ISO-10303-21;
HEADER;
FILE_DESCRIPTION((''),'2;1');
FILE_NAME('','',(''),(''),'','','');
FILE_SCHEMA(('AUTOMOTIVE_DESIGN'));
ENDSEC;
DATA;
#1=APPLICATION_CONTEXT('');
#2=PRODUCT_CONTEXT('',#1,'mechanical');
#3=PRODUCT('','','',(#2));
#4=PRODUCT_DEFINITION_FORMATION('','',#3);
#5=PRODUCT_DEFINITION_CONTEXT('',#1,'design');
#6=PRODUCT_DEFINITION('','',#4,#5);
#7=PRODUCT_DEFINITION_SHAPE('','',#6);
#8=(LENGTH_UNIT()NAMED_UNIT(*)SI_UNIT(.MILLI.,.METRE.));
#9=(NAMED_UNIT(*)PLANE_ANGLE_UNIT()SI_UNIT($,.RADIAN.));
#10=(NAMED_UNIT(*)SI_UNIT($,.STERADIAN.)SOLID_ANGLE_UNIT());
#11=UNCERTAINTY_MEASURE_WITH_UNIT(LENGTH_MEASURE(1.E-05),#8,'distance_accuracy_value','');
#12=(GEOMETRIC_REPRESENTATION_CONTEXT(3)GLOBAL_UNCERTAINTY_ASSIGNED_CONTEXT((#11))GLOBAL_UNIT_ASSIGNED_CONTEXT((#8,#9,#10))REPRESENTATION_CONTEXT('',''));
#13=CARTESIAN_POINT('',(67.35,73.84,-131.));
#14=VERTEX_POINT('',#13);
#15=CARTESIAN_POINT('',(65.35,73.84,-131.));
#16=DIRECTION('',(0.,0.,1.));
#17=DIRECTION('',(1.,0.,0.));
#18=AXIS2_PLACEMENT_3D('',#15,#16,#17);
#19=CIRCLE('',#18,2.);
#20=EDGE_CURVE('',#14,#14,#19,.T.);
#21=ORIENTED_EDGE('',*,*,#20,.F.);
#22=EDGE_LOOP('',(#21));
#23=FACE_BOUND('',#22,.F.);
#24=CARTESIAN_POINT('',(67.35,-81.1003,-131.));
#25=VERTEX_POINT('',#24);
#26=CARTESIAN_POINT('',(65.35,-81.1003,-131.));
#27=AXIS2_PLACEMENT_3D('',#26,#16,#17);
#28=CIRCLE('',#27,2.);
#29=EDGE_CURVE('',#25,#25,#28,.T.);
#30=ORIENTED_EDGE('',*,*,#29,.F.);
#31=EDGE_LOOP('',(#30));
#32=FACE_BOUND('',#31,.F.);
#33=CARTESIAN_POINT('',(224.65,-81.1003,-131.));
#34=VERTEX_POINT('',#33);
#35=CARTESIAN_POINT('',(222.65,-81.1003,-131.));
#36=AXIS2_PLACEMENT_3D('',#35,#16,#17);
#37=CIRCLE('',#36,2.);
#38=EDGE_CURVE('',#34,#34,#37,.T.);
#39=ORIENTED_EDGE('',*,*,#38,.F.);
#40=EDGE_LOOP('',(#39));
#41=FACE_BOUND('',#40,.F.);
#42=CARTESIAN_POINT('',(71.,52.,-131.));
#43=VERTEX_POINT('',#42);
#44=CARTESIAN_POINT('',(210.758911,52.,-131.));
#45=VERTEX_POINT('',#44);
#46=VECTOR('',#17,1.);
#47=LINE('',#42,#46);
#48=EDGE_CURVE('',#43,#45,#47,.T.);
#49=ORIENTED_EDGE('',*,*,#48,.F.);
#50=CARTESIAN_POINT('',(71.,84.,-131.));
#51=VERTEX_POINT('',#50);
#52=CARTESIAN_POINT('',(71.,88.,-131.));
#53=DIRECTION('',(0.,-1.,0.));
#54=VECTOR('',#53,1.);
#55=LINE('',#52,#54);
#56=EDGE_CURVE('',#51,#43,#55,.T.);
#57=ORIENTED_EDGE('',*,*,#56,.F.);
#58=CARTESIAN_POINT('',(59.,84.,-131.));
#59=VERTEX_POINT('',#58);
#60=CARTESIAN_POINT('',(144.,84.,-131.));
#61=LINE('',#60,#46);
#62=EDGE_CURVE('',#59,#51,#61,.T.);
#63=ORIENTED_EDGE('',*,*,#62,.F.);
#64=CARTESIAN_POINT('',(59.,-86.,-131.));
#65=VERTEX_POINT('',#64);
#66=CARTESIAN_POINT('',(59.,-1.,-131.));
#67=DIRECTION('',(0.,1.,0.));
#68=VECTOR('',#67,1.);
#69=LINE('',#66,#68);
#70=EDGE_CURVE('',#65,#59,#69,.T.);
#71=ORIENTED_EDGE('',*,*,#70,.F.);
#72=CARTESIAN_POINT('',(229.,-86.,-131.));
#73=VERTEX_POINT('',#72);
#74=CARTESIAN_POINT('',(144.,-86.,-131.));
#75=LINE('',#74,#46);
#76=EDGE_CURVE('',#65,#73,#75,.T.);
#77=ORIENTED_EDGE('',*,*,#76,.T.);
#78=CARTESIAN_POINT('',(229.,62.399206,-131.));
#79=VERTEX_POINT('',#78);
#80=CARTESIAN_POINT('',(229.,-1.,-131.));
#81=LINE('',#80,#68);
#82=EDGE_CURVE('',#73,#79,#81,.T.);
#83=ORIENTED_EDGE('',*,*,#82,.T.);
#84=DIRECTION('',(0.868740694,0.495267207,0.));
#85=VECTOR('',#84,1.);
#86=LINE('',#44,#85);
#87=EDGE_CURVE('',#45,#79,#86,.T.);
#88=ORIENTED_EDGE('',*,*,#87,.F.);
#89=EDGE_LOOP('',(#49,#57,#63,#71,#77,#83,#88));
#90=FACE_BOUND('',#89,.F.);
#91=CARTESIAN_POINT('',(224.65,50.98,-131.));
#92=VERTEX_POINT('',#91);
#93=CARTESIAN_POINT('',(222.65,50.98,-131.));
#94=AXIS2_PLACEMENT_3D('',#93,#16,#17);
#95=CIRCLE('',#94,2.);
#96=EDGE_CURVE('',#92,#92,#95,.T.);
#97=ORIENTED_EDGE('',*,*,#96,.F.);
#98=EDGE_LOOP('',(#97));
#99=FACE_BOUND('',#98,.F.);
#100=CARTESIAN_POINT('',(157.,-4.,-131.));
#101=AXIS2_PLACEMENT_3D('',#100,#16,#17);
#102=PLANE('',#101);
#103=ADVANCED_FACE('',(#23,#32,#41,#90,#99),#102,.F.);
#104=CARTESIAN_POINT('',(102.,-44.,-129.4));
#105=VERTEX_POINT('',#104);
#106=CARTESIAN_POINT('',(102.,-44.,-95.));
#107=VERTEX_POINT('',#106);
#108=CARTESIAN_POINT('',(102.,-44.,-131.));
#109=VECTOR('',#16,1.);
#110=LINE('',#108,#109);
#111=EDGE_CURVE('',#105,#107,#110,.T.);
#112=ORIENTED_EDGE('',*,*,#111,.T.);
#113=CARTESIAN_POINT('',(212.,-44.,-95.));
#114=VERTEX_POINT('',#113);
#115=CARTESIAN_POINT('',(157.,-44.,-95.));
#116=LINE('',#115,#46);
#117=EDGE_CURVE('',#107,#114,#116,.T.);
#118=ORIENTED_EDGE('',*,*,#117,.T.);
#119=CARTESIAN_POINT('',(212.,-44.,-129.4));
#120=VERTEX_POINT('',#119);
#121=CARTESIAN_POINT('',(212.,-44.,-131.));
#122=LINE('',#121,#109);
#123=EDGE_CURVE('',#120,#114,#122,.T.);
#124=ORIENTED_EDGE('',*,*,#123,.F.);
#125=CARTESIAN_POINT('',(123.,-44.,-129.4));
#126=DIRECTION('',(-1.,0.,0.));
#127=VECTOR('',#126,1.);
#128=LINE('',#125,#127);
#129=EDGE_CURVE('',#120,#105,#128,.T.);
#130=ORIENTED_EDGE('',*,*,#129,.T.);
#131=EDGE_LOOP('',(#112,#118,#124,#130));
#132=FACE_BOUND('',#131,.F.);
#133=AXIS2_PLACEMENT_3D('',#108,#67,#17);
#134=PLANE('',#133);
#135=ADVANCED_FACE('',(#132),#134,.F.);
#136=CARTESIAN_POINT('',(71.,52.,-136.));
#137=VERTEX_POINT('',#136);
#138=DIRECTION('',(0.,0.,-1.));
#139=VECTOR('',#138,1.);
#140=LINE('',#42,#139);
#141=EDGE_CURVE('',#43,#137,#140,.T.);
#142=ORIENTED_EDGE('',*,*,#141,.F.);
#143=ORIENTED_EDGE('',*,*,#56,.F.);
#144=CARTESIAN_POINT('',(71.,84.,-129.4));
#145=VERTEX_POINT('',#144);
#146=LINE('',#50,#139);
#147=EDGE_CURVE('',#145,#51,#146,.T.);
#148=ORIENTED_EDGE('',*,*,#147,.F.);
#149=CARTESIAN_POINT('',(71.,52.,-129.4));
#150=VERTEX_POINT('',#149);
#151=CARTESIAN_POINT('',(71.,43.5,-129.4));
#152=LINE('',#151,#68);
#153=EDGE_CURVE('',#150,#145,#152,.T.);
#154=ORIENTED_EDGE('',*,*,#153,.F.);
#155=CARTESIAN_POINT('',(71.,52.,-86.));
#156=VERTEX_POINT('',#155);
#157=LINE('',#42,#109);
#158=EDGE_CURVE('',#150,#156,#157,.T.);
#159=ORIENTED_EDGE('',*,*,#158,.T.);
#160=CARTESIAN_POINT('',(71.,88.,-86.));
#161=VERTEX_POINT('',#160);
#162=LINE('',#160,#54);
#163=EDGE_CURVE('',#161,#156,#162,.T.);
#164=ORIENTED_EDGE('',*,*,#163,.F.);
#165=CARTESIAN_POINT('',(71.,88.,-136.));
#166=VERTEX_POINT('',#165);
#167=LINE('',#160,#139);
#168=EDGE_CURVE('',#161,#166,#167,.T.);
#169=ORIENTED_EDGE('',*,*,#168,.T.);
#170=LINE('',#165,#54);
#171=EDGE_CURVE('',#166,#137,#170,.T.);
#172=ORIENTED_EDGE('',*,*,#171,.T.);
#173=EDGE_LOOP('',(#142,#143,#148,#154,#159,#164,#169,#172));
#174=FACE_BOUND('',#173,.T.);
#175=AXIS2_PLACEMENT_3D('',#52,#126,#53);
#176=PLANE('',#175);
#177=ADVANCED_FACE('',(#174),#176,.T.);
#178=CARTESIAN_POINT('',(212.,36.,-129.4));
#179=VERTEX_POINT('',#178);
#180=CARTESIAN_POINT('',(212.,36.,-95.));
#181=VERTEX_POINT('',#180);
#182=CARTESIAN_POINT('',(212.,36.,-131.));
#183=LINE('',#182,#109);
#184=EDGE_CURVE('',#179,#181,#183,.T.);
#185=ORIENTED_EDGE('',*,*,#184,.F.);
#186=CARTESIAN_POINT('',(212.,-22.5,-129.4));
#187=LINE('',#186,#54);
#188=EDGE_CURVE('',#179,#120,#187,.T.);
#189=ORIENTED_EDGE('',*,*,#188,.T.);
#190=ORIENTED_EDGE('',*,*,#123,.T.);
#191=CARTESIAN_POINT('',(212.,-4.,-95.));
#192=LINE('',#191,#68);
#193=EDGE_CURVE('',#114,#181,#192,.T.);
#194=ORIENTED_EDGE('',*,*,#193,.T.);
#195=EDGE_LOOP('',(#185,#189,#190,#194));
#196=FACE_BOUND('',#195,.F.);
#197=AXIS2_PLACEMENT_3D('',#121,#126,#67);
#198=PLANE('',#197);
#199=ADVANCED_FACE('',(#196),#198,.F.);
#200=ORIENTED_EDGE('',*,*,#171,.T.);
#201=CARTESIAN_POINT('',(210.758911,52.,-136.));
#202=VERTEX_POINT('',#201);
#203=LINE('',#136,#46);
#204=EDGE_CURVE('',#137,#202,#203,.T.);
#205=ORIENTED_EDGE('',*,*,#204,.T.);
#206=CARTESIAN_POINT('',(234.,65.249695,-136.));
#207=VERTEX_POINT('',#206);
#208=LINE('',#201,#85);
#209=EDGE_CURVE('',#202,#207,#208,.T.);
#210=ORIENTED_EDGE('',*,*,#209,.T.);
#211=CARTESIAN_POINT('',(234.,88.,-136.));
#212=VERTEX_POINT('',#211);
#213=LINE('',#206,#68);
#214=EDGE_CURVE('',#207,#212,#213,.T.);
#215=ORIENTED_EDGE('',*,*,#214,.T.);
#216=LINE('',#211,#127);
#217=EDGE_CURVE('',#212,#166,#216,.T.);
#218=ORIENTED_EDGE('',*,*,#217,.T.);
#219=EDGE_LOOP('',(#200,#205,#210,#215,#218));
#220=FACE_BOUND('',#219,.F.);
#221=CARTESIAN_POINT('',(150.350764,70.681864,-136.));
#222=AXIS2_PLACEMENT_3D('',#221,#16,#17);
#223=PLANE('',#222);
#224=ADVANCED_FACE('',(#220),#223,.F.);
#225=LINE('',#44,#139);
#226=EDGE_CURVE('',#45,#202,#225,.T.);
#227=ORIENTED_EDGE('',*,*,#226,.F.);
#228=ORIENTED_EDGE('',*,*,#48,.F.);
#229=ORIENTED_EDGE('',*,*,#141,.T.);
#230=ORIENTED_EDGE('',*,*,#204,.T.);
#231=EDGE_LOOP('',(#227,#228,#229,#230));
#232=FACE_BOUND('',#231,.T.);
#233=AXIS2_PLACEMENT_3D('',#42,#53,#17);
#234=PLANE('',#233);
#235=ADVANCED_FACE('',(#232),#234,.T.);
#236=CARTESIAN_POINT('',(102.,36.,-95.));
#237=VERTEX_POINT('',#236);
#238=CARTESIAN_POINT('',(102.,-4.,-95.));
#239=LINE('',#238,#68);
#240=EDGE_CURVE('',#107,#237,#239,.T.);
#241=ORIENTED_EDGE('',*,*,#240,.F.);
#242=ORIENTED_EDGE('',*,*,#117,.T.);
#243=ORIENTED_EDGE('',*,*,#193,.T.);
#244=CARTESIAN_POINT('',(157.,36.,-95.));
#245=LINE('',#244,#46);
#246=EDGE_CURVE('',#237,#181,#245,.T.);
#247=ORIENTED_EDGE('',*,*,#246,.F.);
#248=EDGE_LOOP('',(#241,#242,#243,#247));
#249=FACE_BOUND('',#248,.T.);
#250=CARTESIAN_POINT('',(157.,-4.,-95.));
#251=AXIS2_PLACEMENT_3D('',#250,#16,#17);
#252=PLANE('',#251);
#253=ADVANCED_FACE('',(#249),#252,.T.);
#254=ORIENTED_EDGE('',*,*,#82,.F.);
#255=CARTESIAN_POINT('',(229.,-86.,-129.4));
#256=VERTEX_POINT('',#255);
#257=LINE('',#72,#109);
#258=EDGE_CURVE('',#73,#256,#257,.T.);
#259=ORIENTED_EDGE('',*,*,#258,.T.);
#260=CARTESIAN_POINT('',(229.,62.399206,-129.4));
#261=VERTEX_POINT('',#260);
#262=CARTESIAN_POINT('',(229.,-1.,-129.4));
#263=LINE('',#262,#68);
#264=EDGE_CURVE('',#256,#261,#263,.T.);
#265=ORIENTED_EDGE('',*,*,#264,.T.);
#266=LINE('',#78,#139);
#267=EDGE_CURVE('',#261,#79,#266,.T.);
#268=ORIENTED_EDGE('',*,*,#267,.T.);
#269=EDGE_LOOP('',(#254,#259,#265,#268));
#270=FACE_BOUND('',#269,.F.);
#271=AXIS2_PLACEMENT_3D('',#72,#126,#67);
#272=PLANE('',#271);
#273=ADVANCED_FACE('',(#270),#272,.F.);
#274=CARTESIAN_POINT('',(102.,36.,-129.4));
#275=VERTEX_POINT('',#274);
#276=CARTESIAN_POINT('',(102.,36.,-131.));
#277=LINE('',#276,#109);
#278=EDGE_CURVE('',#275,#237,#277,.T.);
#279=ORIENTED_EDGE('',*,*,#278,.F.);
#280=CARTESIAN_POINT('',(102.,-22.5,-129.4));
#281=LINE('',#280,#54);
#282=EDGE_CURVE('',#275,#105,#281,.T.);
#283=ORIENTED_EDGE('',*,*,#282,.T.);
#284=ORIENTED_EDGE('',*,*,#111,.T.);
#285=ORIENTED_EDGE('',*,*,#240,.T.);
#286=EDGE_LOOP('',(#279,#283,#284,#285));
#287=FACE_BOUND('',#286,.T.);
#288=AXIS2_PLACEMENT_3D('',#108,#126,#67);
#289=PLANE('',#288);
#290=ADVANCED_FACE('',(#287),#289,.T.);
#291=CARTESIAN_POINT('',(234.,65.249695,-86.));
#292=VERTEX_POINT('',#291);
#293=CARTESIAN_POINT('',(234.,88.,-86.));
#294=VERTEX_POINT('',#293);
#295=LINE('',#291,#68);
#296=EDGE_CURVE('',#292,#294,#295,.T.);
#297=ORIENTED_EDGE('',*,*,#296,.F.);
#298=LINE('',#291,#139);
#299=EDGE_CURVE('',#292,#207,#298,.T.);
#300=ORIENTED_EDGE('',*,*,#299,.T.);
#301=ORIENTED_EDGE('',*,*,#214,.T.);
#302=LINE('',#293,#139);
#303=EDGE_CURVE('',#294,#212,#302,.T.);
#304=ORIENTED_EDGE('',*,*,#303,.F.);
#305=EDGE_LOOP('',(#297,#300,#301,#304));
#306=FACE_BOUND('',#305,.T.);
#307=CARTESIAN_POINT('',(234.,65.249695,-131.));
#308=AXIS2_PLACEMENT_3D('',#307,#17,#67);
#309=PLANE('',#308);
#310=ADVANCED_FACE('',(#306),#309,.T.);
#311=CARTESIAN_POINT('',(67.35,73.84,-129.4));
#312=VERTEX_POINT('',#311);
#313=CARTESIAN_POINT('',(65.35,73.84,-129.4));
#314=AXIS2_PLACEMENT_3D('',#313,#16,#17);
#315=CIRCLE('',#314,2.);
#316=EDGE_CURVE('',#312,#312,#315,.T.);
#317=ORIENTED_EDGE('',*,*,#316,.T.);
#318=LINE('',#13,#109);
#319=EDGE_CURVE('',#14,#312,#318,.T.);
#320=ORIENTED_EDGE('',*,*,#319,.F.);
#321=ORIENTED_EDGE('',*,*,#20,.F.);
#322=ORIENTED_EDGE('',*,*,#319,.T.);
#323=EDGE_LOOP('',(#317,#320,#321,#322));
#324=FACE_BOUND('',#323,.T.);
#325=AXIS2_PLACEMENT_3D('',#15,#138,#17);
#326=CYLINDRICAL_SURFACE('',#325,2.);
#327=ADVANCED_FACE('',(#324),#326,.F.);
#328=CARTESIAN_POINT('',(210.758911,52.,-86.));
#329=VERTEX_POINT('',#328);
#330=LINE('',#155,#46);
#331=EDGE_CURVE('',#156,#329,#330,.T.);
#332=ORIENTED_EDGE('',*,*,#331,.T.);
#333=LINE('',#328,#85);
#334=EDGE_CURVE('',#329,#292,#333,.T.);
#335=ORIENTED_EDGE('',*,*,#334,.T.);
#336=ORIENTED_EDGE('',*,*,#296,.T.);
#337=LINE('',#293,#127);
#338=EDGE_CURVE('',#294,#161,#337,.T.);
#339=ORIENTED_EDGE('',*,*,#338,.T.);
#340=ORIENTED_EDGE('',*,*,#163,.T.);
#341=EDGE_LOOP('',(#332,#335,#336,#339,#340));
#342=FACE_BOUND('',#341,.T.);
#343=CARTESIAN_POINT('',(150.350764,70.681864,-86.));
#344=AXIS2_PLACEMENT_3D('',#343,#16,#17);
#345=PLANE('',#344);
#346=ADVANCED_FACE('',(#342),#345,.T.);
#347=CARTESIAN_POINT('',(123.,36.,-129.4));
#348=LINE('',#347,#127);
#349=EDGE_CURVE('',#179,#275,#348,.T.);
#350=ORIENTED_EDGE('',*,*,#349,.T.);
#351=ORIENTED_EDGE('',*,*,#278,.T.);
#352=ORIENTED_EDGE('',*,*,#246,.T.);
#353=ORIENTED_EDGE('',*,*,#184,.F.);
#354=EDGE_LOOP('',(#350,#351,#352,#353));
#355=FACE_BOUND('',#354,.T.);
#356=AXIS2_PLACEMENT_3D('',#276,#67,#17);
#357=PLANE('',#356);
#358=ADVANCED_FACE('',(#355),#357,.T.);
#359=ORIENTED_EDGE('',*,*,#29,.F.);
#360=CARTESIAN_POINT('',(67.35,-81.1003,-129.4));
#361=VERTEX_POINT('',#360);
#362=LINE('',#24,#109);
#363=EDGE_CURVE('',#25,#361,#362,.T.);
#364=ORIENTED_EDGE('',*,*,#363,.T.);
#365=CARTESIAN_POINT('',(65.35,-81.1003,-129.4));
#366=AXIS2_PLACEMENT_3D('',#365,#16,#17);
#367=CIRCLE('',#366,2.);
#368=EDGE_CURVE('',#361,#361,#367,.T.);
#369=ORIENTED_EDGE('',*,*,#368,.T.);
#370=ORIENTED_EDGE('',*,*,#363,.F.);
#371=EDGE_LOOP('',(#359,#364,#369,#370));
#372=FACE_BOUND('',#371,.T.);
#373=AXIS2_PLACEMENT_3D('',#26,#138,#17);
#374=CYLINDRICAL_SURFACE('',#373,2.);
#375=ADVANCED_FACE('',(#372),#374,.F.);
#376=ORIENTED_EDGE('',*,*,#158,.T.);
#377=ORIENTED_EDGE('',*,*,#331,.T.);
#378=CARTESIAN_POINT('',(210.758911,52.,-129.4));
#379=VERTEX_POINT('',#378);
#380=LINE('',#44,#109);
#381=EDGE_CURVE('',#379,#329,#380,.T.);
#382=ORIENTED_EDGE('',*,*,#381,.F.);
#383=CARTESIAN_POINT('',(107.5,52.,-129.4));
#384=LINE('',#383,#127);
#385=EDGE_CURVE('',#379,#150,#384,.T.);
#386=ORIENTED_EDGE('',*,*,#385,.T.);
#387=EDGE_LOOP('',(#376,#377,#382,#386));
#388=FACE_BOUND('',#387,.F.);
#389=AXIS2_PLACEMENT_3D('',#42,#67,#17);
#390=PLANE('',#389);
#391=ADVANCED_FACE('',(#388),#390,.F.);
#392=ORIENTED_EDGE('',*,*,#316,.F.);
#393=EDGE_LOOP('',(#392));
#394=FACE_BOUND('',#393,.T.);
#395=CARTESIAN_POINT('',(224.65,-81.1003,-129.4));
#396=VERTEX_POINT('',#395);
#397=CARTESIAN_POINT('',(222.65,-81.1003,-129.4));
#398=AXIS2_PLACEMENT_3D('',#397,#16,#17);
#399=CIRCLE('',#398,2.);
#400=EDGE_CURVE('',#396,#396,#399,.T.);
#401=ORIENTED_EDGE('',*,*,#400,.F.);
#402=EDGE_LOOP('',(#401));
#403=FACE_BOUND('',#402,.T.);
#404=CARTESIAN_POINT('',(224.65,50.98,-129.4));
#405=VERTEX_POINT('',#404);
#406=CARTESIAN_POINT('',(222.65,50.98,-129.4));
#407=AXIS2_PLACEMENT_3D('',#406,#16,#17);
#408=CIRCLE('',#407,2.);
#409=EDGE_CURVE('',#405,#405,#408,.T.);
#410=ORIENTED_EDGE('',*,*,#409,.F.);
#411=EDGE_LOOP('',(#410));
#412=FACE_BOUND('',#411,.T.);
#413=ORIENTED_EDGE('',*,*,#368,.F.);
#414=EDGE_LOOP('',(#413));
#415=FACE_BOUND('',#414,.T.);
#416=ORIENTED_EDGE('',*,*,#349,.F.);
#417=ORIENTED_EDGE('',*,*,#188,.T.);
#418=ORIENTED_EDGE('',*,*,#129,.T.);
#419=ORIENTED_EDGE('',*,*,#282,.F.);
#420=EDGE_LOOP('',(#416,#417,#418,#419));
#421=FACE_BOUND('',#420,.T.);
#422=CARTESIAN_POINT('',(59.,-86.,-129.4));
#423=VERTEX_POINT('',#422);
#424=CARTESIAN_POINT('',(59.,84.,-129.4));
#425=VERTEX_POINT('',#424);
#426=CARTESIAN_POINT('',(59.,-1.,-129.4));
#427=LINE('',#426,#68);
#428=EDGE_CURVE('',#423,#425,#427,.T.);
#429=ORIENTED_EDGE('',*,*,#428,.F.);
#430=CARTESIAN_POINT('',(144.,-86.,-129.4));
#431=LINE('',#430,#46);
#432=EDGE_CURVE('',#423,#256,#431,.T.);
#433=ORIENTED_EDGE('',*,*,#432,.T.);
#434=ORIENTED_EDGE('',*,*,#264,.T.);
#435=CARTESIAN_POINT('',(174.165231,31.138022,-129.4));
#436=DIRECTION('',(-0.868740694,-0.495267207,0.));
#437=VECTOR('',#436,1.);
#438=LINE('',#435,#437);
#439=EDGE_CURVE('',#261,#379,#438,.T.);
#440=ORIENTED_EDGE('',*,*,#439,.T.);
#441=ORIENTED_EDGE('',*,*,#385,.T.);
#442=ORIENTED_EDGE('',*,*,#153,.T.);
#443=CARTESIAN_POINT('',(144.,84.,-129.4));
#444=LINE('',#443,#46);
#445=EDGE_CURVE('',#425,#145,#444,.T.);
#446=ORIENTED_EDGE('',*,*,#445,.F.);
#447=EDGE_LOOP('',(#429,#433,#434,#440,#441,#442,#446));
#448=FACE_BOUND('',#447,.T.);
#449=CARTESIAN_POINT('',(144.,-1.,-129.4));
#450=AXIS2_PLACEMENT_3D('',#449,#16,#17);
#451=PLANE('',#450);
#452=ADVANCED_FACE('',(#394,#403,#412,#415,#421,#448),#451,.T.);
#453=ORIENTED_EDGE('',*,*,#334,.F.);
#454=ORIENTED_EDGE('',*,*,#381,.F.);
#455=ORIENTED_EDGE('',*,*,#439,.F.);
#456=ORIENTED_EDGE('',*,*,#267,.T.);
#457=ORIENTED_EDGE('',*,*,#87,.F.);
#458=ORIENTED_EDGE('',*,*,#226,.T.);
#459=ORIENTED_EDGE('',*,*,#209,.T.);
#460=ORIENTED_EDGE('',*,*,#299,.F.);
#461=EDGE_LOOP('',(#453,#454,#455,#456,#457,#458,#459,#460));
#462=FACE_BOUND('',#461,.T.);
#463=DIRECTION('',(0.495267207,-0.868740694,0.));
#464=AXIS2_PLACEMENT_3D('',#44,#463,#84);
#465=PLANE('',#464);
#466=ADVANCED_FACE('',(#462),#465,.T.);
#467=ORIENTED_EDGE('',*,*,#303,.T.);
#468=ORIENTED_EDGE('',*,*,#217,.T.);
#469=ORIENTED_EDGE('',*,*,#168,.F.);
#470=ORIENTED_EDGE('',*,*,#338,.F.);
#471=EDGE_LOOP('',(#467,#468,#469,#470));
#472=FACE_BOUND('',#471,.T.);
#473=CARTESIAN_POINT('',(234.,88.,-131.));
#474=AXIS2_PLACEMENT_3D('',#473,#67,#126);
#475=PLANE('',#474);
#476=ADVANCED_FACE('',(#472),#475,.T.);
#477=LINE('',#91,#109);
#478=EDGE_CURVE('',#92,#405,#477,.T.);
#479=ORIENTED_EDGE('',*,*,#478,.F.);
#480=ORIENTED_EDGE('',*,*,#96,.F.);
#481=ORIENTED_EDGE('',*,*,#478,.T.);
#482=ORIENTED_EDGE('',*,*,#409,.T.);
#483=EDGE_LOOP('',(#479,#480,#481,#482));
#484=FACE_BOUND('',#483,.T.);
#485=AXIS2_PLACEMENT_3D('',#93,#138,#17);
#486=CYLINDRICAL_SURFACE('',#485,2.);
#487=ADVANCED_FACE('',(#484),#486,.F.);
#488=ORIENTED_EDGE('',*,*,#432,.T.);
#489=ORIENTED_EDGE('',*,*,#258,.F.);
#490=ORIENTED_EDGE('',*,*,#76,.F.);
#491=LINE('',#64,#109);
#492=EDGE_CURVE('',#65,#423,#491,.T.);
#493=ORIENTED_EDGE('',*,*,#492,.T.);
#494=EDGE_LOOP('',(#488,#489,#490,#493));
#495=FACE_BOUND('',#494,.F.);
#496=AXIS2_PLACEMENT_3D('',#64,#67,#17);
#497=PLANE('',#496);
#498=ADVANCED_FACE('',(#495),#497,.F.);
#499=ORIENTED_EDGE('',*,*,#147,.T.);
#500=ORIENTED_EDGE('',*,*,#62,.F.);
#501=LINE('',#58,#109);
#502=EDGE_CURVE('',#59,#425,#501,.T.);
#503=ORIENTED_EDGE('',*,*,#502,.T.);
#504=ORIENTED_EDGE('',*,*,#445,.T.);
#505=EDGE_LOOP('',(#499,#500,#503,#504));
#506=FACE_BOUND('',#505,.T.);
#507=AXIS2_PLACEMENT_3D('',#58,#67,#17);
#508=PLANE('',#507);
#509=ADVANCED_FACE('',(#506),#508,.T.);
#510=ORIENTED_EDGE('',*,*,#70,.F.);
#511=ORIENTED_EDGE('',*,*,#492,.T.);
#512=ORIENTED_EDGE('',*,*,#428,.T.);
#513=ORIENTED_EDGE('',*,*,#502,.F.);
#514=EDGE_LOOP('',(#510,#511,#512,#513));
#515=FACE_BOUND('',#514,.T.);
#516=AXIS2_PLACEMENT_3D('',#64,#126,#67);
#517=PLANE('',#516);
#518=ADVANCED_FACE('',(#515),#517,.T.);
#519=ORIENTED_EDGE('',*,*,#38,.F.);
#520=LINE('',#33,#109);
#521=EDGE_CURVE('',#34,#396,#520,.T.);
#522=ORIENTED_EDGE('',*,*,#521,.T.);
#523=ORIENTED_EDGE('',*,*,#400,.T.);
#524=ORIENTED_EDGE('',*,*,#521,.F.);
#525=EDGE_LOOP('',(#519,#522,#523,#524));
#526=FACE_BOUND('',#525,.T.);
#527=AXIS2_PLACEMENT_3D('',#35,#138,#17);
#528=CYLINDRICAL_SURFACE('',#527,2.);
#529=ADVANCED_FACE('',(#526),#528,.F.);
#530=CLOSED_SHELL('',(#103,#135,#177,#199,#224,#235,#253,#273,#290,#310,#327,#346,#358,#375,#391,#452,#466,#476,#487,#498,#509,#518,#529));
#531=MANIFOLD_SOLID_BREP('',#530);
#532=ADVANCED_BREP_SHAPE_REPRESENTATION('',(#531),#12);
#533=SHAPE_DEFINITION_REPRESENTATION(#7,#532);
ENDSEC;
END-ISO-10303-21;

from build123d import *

# Parameters (mm, degrees)
SKETCH004_W  = 170
SKETCH004_H  = 170
SKETCH004_R  = 2
PAD004_DEPTH = 1.6
PAD007_DEPTH = 45
SKETCH042_W  = 110
SKETCH042_H  = 80
PAD022_DEPTH = 36
PAD029_DEPTH = 5


with BuildPart() as part:
    # Sketch004 → Pad004 (new body)
    with BuildSketch(Plane.XY):
        with Locations((85, 85)):
            Rectangle(SKETCH004_W, SKETCH004_H)
        with Locations((6.35, 4.8997)):
            Circle(SKETCH004_R, mode=Mode.SUBTRACT)
        with Locations((163.65, 4.8997)):
            Circle(SKETCH004_R, mode=Mode.SUBTRACT)
        with Locations((6.35, 159.84)):
            Circle(SKETCH004_R, mode=Mode.SUBTRACT)
        with Locations((163.65, 136.98)):
            Circle(SKETCH004_R, mode=Mode.SUBTRACT)
    extrude(amount=PAD004_DEPTH)

    # Sketch010 → Pad007 (join)
    with BuildSketch(Plane.XY):
        Polygon((12, 174), (12, 138), (151.758911, 138), (175, 151.249695), (175, 174), align=None)
    extrude(amount=PAD007_DEPTH)

    # Sketch042 → Pad022 (join)
    with BuildSketch(Plane.XY):
        with Locations((98, 82)):
            Rectangle(SKETCH042_W, SKETCH042_H)
    extrude(amount=PAD022_DEPTH)

    # Sketch010 → Pad029 (join)
    with BuildSketch(Plane.XY):
        Polygon((12, 174), (12, 138), (151.758911, 138), (175, 151.249695), (175, 174), align=None)
    extrude(amount=-PAD029_DEPTH)


with BuildPart() as part_1:
    # Body002 placement: moved
    add(part.part.moved(Location((59, -86, -131))))


solid = part_1.part
